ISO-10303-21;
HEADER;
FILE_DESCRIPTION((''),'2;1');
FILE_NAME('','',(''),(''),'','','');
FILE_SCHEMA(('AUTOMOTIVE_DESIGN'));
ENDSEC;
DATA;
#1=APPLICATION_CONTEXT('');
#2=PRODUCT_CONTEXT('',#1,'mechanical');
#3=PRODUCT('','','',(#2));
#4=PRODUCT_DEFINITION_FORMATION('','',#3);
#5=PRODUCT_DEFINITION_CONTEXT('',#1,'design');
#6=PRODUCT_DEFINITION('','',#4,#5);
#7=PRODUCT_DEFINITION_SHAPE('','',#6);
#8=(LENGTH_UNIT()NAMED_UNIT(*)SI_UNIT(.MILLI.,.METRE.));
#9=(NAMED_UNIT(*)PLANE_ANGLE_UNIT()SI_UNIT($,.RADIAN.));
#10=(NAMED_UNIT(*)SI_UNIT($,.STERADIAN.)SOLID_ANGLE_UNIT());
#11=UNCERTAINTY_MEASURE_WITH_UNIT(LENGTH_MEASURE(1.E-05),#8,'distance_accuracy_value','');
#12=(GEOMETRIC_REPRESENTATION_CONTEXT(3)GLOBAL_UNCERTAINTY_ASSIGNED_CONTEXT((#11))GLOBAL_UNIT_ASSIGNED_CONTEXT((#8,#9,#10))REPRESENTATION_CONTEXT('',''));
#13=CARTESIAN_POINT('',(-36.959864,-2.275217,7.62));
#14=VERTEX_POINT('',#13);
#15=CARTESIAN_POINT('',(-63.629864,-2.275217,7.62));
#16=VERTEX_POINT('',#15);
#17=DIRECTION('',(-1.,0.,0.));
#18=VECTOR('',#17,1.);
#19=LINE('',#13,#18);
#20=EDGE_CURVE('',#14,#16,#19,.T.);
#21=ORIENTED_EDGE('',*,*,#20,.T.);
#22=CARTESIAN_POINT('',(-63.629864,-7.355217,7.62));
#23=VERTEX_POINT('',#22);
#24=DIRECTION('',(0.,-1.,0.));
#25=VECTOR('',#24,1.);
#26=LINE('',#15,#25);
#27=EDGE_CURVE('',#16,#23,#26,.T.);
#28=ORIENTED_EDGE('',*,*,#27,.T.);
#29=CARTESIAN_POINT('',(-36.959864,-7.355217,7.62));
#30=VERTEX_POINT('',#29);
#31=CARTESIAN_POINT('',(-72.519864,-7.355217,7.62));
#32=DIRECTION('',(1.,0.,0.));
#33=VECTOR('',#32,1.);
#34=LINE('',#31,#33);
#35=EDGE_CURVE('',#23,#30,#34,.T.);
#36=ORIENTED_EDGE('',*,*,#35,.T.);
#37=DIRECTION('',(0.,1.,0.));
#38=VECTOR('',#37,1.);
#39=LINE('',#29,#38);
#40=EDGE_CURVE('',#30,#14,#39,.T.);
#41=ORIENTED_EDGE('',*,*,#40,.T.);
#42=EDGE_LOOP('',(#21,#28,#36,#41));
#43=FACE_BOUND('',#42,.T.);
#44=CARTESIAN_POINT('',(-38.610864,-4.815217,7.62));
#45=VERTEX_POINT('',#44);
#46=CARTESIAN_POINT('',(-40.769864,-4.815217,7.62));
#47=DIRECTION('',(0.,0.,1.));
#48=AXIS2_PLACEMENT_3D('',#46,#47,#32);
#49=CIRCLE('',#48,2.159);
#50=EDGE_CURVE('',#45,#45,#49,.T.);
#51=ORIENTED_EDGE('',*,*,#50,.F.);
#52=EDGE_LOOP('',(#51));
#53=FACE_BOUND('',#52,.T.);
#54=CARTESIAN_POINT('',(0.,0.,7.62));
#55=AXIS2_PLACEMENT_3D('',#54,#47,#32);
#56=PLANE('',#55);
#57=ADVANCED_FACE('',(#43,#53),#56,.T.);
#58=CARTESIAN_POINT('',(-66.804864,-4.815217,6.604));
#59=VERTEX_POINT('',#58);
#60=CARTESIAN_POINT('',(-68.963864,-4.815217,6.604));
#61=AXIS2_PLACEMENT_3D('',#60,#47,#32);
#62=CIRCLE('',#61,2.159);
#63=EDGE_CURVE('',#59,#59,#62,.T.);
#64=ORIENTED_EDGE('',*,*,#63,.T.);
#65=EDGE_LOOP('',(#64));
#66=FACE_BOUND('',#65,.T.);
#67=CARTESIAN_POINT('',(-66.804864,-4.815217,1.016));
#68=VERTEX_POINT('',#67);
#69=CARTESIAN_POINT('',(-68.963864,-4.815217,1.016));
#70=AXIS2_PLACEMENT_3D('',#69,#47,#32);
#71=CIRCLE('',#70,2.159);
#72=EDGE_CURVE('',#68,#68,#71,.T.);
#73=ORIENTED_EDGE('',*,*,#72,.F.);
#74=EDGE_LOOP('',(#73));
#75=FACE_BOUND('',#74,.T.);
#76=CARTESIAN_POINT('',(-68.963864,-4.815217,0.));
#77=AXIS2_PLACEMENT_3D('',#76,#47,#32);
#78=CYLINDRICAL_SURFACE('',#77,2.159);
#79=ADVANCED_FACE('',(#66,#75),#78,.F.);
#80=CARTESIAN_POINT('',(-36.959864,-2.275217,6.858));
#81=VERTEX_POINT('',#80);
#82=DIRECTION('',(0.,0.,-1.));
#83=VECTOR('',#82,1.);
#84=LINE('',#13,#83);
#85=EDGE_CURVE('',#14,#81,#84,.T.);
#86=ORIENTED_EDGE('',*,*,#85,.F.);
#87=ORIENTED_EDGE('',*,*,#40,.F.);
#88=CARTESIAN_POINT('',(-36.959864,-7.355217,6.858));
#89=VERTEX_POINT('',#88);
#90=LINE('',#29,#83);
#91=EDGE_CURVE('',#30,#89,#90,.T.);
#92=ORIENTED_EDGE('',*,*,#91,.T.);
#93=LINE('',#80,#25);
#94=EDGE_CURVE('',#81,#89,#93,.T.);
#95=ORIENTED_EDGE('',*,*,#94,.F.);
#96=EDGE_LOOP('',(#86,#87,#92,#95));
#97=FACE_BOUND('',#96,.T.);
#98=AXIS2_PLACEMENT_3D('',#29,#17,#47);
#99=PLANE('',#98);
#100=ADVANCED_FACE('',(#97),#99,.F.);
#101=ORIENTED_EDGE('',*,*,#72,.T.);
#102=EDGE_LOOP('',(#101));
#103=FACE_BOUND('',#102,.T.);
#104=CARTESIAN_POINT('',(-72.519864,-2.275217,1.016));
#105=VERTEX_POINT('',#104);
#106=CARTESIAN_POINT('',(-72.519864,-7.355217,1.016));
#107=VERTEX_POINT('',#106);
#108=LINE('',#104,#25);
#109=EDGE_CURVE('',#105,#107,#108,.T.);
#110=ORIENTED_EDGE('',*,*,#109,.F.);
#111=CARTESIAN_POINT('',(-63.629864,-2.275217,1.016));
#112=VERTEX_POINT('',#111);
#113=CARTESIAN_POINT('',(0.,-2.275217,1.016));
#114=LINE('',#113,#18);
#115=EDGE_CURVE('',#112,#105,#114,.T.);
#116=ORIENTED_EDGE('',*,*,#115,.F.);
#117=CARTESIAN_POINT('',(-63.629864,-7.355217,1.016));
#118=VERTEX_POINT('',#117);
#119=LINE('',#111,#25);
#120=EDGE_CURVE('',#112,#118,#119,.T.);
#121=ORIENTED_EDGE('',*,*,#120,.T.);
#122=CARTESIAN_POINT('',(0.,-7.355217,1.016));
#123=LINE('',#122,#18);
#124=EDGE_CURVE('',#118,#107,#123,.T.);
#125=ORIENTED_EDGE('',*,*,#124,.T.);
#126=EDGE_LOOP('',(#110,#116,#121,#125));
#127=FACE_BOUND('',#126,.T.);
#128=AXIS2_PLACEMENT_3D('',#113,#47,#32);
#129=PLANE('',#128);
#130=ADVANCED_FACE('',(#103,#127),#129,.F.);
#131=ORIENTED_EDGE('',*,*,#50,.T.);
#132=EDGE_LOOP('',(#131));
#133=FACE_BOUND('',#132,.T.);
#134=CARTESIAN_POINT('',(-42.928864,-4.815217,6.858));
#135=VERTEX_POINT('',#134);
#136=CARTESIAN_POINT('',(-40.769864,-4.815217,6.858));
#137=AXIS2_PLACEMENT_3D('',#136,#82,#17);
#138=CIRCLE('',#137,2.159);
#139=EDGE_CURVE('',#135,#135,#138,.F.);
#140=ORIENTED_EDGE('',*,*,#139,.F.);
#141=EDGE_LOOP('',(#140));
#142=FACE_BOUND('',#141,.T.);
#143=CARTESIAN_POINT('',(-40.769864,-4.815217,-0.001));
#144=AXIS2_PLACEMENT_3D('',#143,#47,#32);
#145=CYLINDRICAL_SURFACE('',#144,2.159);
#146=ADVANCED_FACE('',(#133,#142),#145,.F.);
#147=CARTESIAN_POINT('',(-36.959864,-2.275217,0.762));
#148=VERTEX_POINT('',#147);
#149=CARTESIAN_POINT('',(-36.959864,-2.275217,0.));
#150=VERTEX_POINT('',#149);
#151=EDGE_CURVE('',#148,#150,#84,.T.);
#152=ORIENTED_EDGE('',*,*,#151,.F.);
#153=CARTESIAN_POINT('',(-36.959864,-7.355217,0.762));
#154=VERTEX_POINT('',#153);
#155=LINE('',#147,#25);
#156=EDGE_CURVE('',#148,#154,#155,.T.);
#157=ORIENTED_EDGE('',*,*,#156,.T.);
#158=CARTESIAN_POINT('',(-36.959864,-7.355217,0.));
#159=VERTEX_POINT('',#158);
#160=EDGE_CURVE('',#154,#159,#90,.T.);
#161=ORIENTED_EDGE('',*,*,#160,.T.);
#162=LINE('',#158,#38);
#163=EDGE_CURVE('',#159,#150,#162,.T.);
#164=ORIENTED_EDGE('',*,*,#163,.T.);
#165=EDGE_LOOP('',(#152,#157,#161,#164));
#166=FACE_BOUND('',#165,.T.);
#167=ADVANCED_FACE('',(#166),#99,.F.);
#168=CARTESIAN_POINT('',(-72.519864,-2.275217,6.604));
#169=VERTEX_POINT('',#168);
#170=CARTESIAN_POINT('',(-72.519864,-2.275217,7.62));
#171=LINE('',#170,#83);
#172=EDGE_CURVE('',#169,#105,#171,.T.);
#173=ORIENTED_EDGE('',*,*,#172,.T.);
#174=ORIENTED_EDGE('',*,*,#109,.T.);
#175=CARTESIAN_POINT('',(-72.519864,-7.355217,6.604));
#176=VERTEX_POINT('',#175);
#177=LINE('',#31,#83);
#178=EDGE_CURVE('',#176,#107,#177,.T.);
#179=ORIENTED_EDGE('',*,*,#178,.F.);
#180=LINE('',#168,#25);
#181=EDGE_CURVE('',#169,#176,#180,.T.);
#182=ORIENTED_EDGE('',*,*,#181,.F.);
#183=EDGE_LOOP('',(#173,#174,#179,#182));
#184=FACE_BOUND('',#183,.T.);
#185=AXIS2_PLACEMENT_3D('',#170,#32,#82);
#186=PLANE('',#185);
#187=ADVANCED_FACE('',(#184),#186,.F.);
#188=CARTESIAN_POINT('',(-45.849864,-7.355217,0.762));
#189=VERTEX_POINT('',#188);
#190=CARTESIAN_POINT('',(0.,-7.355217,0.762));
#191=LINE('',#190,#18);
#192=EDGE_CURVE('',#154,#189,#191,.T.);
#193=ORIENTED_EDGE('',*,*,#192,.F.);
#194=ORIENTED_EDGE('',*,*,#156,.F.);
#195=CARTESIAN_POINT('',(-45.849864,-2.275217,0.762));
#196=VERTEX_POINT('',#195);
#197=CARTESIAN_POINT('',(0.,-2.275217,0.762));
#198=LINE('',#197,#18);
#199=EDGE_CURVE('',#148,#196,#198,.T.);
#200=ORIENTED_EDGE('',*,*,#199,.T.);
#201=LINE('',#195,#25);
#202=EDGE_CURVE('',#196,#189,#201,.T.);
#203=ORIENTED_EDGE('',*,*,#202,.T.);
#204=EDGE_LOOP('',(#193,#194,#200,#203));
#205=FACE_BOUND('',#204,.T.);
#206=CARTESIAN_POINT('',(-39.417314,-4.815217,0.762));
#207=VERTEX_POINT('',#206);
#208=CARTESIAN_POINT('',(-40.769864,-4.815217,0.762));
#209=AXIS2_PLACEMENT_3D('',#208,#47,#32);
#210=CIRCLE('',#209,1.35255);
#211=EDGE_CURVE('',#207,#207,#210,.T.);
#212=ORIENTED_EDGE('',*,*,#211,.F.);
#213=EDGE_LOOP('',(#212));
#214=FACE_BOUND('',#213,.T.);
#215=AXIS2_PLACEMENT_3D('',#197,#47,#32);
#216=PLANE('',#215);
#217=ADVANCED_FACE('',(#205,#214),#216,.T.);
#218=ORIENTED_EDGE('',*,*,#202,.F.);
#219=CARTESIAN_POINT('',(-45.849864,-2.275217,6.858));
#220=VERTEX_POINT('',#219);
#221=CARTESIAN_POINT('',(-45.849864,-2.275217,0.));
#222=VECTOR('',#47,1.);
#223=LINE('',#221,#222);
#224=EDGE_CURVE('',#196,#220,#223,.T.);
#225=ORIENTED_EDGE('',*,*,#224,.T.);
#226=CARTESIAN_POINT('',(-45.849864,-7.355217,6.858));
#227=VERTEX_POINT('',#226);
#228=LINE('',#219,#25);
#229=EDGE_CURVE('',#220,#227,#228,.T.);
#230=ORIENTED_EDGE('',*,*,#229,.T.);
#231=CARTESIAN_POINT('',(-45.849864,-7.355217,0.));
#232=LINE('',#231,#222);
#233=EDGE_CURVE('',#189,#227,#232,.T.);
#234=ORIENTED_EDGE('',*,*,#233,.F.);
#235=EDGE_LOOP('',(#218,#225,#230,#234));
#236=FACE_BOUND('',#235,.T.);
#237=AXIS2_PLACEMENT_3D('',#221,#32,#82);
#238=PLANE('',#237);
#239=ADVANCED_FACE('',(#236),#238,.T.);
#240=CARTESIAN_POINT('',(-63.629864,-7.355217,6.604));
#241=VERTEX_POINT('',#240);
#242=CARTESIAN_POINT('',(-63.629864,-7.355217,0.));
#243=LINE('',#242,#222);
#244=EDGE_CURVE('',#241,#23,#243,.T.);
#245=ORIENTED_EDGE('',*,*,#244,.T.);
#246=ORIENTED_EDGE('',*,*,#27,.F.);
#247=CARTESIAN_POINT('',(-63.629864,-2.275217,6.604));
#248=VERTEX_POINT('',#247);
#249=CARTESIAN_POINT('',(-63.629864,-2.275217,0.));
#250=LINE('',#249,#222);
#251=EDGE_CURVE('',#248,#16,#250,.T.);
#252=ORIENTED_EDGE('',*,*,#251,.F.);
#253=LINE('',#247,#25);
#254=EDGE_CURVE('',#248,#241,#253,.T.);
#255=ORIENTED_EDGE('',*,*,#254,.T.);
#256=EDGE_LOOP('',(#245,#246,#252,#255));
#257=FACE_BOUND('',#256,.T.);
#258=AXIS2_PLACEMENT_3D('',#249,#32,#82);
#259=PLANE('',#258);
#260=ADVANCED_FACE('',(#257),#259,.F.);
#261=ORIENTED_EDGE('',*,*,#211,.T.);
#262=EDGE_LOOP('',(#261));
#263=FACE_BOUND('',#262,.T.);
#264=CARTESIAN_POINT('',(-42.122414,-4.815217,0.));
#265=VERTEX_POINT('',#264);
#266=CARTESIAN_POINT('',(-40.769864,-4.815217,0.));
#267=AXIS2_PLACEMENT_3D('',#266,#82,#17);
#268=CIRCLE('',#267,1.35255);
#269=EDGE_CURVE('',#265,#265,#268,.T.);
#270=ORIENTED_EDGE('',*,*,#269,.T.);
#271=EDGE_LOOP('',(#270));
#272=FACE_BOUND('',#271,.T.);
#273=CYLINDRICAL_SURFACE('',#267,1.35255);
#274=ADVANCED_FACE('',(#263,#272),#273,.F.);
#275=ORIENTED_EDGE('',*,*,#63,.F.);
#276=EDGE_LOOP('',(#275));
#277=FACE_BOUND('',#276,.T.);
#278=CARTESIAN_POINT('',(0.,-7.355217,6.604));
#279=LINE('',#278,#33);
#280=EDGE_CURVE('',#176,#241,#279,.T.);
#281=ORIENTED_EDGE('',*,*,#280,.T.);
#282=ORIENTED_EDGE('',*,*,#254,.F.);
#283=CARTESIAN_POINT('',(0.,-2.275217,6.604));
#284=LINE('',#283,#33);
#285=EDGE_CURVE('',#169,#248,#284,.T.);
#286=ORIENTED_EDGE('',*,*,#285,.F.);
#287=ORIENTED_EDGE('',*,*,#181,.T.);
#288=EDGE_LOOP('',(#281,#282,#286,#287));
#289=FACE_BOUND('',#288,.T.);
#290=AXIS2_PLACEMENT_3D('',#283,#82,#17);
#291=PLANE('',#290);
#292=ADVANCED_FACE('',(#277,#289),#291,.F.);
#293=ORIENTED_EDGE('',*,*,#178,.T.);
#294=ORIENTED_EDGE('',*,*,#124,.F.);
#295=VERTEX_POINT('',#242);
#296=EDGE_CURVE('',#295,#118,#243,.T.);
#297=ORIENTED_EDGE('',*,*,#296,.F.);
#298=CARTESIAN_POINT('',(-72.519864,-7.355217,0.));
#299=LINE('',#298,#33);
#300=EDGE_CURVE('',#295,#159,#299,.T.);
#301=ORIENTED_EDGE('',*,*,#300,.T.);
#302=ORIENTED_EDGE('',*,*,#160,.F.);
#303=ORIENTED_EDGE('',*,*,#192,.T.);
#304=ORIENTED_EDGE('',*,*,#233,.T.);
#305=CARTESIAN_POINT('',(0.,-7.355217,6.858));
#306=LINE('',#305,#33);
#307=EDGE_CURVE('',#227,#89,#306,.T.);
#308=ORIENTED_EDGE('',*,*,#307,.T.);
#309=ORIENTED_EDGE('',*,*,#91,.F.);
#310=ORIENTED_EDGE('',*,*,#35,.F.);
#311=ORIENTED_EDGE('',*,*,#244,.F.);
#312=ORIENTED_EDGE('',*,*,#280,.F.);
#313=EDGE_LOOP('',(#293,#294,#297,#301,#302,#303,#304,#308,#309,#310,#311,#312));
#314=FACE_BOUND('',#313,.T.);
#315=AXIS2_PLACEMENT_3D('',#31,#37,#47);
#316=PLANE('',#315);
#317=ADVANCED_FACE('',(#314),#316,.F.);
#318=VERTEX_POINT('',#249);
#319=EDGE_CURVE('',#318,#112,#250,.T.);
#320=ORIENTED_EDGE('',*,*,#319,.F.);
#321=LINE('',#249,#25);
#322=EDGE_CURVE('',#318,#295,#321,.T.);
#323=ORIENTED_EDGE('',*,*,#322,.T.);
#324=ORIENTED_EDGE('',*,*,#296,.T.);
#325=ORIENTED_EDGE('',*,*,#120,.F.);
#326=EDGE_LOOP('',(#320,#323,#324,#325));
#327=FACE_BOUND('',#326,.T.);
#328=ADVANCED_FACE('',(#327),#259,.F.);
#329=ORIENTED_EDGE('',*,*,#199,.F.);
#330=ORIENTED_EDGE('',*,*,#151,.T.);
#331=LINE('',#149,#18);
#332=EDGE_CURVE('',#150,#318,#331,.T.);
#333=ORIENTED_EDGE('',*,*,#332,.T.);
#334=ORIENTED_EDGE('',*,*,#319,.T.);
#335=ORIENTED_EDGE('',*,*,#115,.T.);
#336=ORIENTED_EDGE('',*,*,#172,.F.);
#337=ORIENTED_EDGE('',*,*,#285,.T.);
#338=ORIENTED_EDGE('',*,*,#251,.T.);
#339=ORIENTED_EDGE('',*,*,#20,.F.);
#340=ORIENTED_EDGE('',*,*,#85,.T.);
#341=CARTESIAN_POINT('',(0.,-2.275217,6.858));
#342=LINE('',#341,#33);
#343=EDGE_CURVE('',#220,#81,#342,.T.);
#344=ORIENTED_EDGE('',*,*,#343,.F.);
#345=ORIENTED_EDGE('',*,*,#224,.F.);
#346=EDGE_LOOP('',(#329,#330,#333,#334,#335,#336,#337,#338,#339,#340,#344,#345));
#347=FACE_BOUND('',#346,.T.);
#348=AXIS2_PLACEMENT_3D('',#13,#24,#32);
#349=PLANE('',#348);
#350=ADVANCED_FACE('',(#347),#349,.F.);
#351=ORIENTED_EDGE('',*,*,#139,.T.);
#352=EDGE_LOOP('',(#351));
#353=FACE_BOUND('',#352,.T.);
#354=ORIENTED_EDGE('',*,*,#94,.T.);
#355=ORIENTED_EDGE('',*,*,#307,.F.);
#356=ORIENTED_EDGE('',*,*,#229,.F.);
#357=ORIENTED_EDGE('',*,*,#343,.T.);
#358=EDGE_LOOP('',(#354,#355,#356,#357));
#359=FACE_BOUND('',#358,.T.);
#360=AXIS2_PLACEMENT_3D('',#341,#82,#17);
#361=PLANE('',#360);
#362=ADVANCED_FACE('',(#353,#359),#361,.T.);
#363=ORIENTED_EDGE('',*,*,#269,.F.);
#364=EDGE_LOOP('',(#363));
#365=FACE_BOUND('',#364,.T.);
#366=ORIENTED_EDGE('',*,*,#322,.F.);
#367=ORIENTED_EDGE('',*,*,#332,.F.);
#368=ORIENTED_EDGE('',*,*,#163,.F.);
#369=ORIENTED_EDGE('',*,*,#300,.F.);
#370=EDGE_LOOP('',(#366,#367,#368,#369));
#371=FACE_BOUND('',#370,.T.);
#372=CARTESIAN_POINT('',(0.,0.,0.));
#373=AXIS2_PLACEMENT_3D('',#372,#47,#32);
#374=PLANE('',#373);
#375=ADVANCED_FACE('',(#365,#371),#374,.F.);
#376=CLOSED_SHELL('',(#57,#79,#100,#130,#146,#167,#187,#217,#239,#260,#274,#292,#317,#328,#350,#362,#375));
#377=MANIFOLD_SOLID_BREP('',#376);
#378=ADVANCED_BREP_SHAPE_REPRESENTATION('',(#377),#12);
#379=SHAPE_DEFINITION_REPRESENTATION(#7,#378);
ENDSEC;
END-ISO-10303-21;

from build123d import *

# Parameters (mm, degrees)
SKETCH2_W                 = 35.56
SKETCH2_H                 = 5.08
BOSS_EXTRUDE1_DEPTH       = 7.62
SKETCH7_W                 = 8.89
SKETCH7_H                 = 6.096
SKETCH7_H_2               = 1.016
CUT_EXTRUDE2_DEPTH        = 6.08
CUT_EXTRUDE3_REACH        = 9.62
SKETCH8_R                 = 2.159
SKETCH9_R                 = 2.159
CUT_EXTRUDE4_DEPTH        = 7.604
F_6_32_TAPPED_HOLE1_D     = 2.7051
F_6_32_TAPPED_HOLE1_DEPTH = 0.762


with BuildPart() as part:
    # Sketch2 → Boss-Extrude1 (new body)
    with BuildSketch(Plane.XY):
        with Locations((-54.739863719, -4.815217495)):
            Rectangle(SKETCH2_W, SKETCH2_H)
    extrude(amount=BOSS_EXTRUDE1_DEPTH)

    # Sketch7 → Cut-Extrude2 (cut, through all)
    with BuildSketch(Plane.XZ.offset(7.355217495)):
        with Locations((-41.404863719, 3.81)):
            Rectangle(SKETCH7_W, SKETCH7_H)
        with Locations((-68.074863719, 0.508)):
            Rectangle(SKETCH7_W, SKETCH7_H_2)
        with Locations((-68.074863719, 7.112)):
            Rectangle(SKETCH7_W, SKETCH7_H_2)
    extrude(amount=-CUT_EXTRUDE2_DEPTH, mode=Mode.SUBTRACT)

    # Sketch8 → Cut-Extrude3 (cut, up to next)
    with BuildSketch(Plane.XY.offset(7.62), mode=Mode.PRIVATE) as cut_extrude3_sk1:
        with Locations((-40.769863719, -4.815217495)):
            Circle(SKETCH8_R)
    cut_extrude3_tool1 = extrude(cut_extrude3_sk1.sketch, amount=-CUT_EXTRUDE3_REACH, mode=Mode.PRIVATE) & part.part
    add(cut_extrude3_tool1.solids().sort_by_distance((-40.769864, -4.815217, 7.62))[0], mode=Mode.SUBTRACT)

    # Sketch9 → Cut-Extrude4 (cut, through all)
    with BuildSketch(Plane.XY.offset(6.604)):
        with Locations((-68.963863719, -4.815217495)):
            Circle(SKETCH9_R)
    extrude(amount=-CUT_EXTRUDE4_DEPTH, mode=Mode.SUBTRACT)

    # #6-32 Tapped Hole1
    with Locations(Plane(origin=(0, 0, 0), x_dir=(-1, 0, 0), z_dir=(0, 0, -1))):
        with Locations((40.769863719, -4.815217495)):
            Hole(F_6_32_TAPPED_HOLE1_D / 2, depth=F_6_32_TAPPED_HOLE1_DEPTH)


solid = part.part
